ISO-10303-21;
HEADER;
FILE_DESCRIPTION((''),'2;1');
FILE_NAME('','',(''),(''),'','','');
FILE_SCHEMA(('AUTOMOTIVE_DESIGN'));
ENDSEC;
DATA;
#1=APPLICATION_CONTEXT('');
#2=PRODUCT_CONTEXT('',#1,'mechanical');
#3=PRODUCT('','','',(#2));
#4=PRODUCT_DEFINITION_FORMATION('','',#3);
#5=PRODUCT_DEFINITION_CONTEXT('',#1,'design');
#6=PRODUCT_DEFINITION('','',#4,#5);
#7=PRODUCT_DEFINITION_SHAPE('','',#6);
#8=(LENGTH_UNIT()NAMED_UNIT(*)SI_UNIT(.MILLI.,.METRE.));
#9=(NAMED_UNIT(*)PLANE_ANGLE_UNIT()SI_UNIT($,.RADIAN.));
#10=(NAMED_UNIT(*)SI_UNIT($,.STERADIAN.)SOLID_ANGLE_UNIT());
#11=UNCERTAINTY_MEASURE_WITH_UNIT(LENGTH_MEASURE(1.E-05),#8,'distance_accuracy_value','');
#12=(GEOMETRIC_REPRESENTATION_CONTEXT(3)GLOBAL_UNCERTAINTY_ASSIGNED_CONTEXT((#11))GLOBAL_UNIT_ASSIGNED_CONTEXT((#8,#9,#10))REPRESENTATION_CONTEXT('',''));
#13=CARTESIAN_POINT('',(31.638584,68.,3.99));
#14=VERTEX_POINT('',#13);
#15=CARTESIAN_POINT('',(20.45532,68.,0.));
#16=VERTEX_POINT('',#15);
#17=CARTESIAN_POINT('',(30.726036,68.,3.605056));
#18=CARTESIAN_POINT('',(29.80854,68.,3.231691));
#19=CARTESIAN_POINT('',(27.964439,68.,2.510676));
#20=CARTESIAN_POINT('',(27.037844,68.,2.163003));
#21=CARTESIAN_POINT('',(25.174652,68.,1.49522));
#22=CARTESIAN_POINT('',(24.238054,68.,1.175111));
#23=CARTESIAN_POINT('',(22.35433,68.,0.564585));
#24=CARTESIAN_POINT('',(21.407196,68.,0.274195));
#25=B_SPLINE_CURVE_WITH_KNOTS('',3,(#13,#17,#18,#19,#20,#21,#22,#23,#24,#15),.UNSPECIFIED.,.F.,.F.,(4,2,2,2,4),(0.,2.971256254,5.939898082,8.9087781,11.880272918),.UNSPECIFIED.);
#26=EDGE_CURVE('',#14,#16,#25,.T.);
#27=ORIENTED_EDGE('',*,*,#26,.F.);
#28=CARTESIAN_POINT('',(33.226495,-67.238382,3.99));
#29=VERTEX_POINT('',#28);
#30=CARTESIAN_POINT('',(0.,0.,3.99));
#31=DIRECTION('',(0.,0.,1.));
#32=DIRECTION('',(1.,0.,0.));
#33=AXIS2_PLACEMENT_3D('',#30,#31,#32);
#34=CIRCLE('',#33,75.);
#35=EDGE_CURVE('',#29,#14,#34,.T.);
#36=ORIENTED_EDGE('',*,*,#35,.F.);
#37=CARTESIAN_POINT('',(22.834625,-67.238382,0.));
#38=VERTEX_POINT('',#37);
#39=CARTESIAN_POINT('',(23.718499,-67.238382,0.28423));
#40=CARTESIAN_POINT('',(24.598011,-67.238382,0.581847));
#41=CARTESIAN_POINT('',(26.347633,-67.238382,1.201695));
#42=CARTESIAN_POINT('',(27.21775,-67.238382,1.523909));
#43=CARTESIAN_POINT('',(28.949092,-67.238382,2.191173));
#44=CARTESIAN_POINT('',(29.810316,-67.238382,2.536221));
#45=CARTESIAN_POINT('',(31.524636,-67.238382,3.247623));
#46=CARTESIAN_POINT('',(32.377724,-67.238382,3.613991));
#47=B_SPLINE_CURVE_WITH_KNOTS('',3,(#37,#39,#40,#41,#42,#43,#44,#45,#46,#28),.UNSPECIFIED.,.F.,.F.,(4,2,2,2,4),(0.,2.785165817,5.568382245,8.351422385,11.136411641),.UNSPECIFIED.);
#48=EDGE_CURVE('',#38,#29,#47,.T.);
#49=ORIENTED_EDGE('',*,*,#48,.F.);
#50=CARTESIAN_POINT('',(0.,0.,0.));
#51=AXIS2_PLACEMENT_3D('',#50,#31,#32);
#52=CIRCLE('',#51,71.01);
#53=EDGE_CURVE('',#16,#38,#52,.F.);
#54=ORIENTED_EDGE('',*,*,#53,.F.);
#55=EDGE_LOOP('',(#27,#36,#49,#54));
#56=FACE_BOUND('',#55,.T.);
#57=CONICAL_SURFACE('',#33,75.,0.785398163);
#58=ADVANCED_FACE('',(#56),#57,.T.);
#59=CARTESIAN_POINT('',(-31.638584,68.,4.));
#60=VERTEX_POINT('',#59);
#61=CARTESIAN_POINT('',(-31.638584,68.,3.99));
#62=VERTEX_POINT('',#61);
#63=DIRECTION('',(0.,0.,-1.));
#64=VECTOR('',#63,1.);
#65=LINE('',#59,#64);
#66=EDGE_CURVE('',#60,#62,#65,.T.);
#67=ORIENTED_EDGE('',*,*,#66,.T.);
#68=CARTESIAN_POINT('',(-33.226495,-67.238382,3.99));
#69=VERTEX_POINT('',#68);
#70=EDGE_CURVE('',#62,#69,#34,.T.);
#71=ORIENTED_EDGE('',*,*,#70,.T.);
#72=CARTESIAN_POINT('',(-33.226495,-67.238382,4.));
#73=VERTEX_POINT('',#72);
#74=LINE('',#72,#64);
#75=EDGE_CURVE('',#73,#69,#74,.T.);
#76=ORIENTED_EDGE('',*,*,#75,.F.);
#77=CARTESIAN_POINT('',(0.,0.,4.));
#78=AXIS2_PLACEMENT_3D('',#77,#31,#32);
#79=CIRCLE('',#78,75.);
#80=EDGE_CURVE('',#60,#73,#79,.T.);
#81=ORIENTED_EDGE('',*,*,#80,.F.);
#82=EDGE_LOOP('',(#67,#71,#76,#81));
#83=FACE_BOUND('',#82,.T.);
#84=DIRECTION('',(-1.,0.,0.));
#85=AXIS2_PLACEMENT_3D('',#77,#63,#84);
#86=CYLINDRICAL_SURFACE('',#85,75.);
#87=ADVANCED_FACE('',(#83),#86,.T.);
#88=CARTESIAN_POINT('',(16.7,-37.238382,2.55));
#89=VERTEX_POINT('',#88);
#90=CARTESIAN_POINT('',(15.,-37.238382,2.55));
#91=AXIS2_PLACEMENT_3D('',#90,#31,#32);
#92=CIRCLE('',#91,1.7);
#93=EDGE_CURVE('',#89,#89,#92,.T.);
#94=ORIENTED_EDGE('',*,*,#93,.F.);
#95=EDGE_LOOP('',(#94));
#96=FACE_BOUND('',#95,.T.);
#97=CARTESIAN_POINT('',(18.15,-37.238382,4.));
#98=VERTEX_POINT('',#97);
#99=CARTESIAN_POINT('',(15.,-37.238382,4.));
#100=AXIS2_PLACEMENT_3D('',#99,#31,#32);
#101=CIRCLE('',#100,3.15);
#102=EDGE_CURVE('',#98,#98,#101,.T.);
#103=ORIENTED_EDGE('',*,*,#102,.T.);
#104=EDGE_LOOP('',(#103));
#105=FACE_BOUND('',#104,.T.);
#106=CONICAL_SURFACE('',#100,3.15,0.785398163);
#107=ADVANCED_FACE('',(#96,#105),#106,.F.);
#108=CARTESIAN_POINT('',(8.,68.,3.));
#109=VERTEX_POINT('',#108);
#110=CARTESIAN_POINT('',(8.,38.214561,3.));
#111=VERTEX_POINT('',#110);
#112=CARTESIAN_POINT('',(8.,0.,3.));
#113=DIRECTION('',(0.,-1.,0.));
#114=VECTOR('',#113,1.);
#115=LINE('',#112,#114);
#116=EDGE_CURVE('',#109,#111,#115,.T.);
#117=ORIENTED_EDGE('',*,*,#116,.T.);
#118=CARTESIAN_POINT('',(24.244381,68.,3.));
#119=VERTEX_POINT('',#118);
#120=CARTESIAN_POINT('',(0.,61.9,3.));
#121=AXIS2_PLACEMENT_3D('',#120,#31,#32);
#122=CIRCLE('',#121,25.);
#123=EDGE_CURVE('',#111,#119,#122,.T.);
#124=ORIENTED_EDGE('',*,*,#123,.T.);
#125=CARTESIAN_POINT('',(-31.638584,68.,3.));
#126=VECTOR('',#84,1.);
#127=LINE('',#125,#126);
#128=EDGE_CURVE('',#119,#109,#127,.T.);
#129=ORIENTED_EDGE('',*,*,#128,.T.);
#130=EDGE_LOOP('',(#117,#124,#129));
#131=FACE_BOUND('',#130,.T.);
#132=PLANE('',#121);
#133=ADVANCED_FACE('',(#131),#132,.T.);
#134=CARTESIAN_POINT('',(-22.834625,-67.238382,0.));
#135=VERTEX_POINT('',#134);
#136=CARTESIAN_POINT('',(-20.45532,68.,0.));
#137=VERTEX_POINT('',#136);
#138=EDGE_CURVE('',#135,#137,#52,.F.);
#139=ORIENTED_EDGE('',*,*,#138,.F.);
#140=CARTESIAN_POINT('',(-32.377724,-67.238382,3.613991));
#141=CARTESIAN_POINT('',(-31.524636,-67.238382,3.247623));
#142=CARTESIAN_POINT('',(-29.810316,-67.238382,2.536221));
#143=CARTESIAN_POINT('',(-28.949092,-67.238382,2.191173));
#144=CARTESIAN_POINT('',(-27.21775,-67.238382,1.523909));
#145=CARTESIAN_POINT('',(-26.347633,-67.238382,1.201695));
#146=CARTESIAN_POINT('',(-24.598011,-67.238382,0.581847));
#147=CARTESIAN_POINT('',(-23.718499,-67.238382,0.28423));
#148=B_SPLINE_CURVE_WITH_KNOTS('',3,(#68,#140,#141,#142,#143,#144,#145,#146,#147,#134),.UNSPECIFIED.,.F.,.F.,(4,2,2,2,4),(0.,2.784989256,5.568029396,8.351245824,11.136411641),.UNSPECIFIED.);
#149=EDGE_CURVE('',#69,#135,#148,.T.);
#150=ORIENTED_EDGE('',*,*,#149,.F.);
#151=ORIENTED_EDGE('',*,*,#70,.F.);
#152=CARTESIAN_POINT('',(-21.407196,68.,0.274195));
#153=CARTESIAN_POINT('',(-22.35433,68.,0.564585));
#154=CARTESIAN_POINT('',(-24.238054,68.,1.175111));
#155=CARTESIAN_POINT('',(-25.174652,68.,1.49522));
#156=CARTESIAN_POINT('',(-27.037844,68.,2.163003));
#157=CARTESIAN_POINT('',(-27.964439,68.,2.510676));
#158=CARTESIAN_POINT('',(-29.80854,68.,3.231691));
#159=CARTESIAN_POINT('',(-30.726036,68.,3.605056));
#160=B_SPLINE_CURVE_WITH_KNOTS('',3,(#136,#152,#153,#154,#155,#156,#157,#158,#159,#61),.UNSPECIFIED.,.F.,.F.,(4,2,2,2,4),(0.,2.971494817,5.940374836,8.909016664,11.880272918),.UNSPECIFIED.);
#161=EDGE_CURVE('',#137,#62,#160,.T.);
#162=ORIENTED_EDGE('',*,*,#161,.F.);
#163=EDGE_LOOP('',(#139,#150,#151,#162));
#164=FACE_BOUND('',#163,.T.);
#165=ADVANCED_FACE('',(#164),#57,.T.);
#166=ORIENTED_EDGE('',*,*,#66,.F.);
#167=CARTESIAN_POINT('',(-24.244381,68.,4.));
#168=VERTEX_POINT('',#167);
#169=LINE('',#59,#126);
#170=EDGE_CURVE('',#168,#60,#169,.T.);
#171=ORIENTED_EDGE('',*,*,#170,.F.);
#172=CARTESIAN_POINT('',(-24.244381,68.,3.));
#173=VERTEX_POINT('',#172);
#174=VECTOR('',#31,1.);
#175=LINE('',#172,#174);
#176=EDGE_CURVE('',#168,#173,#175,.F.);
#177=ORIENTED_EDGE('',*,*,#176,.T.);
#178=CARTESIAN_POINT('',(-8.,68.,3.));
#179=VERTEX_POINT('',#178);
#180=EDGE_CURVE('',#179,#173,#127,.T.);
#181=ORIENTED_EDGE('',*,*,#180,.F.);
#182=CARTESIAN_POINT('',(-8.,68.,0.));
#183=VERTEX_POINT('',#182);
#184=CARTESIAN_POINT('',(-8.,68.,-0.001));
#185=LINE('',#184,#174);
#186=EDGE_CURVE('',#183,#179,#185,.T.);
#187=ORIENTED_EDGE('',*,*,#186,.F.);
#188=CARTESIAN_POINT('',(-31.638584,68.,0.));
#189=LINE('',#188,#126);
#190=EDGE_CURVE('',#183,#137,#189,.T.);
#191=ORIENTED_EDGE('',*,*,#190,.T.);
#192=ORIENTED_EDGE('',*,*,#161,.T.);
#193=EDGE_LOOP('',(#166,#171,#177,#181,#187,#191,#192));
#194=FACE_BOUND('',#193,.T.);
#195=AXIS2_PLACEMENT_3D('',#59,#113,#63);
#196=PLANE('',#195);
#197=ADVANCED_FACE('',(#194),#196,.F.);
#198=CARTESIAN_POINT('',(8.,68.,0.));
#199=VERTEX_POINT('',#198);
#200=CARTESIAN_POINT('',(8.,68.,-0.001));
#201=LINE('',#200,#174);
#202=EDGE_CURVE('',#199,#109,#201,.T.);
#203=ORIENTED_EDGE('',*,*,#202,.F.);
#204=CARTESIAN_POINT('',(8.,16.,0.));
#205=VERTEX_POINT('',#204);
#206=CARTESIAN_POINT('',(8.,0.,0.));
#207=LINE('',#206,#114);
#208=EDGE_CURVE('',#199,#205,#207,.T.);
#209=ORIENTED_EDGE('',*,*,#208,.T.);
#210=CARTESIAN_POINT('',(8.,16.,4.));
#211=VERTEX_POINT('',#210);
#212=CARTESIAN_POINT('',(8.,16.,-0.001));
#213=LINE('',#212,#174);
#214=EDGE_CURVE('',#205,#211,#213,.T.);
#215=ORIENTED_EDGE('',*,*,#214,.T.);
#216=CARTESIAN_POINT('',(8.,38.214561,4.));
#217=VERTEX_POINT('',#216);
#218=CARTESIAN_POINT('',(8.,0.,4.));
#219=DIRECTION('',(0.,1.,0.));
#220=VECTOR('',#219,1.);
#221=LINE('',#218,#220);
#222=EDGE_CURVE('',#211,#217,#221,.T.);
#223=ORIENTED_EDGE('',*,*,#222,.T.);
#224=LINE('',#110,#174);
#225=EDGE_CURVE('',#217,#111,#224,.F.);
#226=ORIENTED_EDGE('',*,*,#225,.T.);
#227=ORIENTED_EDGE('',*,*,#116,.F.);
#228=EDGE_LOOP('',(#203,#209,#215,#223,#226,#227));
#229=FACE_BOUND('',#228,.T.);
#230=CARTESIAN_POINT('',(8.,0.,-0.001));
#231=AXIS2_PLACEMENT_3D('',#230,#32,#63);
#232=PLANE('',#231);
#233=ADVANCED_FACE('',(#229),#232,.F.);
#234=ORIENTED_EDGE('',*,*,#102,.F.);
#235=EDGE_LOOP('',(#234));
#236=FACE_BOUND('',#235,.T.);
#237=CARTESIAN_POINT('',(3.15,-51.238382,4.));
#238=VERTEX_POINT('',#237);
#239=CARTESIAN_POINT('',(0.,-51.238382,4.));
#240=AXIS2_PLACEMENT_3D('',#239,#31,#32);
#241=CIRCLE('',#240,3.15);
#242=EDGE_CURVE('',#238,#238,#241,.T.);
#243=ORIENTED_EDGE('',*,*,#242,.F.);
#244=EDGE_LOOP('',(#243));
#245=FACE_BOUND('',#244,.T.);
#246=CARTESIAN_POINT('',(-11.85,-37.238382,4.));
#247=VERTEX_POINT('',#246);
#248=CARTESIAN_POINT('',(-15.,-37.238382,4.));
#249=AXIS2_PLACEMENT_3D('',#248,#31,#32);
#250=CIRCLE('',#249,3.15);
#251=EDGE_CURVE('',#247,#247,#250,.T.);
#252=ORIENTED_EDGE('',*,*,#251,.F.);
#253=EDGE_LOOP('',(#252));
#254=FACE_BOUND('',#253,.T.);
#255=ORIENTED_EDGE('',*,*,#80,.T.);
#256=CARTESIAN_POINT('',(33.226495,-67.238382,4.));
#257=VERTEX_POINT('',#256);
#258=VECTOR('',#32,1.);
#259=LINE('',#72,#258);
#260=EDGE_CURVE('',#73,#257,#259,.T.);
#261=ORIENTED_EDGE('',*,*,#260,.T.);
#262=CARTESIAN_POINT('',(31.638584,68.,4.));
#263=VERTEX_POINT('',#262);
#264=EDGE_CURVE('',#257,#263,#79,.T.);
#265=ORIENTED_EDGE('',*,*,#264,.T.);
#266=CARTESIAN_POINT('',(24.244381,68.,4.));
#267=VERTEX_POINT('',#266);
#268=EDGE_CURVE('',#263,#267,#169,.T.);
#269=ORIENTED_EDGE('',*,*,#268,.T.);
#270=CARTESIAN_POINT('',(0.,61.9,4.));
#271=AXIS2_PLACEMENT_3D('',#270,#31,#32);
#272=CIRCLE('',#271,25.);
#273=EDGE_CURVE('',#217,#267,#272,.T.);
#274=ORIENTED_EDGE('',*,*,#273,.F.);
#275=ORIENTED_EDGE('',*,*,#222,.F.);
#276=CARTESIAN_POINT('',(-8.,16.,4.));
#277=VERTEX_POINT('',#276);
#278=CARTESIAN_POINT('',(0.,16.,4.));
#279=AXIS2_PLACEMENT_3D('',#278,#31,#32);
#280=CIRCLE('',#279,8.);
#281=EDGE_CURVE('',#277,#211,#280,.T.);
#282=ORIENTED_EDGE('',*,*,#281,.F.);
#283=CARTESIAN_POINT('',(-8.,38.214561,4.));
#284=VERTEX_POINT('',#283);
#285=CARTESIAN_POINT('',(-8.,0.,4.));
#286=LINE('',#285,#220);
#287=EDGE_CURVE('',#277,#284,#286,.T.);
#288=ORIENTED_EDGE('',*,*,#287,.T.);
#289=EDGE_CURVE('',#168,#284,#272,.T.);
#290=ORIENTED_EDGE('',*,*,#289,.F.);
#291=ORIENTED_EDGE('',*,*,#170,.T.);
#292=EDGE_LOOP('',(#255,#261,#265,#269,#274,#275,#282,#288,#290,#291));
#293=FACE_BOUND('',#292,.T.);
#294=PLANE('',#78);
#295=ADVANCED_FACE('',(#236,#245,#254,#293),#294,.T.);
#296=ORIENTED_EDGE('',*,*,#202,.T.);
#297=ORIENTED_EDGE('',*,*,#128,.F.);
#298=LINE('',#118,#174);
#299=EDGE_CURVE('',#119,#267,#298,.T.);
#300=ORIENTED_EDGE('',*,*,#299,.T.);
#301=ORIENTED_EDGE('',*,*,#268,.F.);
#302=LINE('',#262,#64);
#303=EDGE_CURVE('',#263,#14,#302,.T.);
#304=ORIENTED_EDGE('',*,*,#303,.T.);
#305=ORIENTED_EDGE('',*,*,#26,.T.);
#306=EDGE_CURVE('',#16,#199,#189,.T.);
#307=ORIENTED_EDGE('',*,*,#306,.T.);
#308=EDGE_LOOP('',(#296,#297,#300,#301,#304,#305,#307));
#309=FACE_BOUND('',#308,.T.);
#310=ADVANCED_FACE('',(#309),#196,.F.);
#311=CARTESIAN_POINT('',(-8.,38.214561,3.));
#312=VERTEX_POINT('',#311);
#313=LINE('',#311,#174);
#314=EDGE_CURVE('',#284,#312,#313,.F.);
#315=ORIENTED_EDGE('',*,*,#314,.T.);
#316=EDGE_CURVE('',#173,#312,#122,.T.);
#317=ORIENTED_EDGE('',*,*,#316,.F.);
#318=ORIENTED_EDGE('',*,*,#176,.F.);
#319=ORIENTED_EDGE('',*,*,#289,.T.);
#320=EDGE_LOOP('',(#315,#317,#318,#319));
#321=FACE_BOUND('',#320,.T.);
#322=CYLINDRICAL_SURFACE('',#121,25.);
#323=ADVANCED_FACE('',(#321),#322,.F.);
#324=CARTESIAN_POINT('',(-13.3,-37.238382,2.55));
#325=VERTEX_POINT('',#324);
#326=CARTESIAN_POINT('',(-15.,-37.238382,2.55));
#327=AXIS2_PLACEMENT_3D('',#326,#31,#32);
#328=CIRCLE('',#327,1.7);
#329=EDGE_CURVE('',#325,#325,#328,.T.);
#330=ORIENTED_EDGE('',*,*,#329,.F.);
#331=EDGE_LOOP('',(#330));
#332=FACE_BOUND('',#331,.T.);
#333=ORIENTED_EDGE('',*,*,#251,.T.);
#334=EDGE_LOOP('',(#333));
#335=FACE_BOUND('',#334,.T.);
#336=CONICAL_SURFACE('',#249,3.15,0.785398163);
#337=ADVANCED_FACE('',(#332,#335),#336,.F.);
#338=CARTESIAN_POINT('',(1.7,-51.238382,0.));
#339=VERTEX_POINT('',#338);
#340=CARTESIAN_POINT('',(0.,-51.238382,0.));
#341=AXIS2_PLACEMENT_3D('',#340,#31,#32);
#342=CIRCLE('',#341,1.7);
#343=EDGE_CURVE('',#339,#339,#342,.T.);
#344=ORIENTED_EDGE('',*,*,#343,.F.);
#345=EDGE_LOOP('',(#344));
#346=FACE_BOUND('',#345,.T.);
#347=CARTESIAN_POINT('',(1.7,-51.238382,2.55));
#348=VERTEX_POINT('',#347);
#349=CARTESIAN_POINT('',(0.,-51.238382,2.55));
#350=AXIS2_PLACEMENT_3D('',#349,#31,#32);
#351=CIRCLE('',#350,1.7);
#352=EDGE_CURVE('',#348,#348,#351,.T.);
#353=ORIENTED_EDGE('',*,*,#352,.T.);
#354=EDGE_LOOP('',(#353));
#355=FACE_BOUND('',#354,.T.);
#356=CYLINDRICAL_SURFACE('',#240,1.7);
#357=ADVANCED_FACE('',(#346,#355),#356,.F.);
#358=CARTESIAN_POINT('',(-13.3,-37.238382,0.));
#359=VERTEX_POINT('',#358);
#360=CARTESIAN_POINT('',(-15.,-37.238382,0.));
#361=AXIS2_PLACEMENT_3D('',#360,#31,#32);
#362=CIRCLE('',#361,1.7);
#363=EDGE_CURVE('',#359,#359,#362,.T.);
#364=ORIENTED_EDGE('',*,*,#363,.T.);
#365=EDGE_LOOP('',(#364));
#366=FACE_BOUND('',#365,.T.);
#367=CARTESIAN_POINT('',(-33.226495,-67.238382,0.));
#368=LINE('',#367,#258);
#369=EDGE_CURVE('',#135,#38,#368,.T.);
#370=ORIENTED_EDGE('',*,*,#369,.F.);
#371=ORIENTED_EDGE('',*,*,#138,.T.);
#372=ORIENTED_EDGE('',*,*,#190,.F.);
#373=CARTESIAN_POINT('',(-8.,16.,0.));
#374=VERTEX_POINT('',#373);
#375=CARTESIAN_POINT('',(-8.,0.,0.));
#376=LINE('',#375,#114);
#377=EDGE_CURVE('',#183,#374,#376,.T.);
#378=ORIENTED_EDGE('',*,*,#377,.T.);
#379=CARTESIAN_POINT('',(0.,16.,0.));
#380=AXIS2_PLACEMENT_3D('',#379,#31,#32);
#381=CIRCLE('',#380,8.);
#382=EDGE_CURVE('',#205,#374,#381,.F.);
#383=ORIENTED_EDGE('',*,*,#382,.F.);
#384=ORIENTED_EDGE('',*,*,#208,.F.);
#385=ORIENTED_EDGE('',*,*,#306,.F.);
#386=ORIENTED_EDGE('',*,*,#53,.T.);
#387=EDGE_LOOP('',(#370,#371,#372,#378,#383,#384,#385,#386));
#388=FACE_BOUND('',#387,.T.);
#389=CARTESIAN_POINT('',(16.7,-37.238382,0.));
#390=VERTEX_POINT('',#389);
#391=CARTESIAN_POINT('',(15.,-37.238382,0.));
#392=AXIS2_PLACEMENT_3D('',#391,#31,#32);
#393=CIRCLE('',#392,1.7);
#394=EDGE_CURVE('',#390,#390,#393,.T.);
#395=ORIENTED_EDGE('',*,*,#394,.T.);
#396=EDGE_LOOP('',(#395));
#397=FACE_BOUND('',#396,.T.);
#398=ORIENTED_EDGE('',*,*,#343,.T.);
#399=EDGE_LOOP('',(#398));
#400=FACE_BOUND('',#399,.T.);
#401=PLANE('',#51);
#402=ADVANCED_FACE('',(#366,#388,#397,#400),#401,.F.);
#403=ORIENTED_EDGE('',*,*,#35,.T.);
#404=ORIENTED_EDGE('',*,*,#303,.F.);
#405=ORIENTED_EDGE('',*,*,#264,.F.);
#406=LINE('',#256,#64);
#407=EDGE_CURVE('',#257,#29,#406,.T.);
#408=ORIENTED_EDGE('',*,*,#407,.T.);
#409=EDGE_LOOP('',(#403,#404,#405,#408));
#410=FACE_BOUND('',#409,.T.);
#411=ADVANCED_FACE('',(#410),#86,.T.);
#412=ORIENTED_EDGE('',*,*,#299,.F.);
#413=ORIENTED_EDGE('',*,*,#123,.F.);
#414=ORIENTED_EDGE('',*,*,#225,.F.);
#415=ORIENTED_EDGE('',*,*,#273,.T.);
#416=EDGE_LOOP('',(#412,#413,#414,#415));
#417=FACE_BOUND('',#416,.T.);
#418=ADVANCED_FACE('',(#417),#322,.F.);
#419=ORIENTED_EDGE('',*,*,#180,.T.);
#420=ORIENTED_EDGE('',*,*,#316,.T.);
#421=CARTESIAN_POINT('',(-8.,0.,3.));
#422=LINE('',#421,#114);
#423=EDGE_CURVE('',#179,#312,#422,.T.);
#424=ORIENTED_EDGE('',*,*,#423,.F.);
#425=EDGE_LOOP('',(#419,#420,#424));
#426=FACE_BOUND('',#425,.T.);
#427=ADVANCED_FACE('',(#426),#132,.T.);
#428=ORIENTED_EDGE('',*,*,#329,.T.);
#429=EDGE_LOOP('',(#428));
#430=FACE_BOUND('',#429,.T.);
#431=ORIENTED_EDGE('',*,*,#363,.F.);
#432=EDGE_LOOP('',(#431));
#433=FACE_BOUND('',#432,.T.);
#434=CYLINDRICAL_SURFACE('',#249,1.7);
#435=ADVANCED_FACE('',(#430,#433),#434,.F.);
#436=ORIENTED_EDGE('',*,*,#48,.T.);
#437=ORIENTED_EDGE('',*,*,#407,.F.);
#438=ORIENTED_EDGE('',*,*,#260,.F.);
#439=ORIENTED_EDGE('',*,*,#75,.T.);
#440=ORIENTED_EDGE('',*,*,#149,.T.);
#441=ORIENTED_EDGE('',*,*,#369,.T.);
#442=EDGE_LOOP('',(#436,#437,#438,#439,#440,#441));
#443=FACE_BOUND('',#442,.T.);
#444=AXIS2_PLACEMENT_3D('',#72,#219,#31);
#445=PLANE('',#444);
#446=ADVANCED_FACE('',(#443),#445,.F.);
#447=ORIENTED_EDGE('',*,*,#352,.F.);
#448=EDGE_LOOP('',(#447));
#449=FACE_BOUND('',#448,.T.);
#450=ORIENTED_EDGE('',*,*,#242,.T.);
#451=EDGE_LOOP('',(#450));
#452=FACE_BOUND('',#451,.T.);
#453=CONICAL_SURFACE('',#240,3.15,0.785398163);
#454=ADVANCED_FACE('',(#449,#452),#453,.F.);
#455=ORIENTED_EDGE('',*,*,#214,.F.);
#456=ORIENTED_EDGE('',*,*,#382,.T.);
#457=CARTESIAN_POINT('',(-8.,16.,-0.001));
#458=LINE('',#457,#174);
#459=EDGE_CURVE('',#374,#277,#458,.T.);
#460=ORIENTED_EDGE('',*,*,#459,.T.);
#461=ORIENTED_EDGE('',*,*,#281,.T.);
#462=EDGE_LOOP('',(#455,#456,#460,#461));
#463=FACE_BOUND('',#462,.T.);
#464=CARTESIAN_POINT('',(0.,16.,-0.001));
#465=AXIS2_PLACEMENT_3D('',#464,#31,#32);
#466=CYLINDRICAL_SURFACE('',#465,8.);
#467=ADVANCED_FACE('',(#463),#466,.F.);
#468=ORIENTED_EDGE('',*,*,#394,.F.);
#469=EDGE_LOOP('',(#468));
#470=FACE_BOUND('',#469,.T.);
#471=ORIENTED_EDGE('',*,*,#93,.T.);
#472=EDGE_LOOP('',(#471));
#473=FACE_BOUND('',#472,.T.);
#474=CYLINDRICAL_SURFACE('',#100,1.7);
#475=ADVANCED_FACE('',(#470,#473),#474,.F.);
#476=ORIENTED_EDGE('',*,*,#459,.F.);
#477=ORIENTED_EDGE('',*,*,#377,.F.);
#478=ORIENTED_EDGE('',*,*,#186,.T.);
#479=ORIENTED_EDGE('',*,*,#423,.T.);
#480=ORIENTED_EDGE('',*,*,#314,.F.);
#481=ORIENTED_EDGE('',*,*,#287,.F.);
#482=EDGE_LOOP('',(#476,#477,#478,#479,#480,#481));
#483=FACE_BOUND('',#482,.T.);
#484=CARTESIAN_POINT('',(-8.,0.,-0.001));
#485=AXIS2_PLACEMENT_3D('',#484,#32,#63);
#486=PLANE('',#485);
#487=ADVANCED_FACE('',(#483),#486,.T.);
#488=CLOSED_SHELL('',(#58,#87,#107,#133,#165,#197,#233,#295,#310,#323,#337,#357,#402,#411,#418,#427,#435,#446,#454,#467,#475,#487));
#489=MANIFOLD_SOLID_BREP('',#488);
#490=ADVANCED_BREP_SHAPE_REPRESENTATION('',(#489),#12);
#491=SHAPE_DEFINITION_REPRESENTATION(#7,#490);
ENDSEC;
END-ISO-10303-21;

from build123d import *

# Parameters (mm, degrees)
BOSS_EXTRUDE2_DEPTH                                 = 4
CSK_FOR_M3_COUNTERSUNK_FLAT_HEAD_SCREW1_D           = 3.4
CSK_FOR_M3_COUNTERSUNK_FLAT_HEAD_SCREW1_CSINK_D     = 6.3
CSK_FOR_M3_COUNTERSUNK_FLAT_HEAD_SCREW1_CSINK_ANGLE = 90
CUT_EXTRUDE1_REACH                                  = 103.316
SKETCH5_R                                           = 25
CUT_EXTRUDE2_DEPTH                                  = 1
CHAMFER3_SIZE                                       = 3.99


with BuildPart() as part:
    # Sketch1 → Boss-Extrude2 (new body)
    with BuildSketch(Plane.XY):
        with BuildLine():
            Line((-33.226495452, -67.238381896), (33.226495452, -67.238381896))
            ThreePointArc((33.226495452, -67.238381896), (74.994830614, 0.880557322), (31.638584039, 68))
            Line((31.638584039, 68), (-31.638584039, 68))
            ThreePointArc((-31.638584039, 68), (-74.994830614, 0.880557322), (-33.226495452, -67.238381896))
        make_face()
    extrude(amount=BOSS_EXTRUDE2_DEPTH)

    # CSK for M3 Countersunk Flat Head Screw1 (through all)
    with Locations(Plane.XY.offset(4)):
        with Locations((-15, -37.238381896), (0, -51.238381896), (15, -37.238381896)):
            CounterSinkHole(CSK_FOR_M3_COUNTERSUNK_FLAT_HEAD_SCREW1_D / 2, CSK_FOR_M3_COUNTERSUNK_FLAT_HEAD_SCREW1_CSINK_D / 2, counter_sink_angle=CSK_FOR_M3_COUNTERSUNK_FLAT_HEAD_SCREW1_CSINK_ANGLE)

    # Sketch4 → Cut-Extrude1 (cut, up to next)
    with BuildSketch(Plane.XY.offset(4), mode=Mode.PRIVATE) as cut_extrude1_sk1:
        with BuildLine():
            Line((-8, 16), (-8, 68))
            Line((-8, 68), (8, 68))
            Line((8, 68), (8, 16))
            ThreePointArc((8, 16), (0, 8), (-8, 16))
        make_face()
    cut_extrude1_tool1 = extrude(cut_extrude1_sk1.sketch, amount=-CUT_EXTRUDE1_REACH, mode=Mode.PRIVATE) & part.part
    add(cut_extrude1_tool1.solids().sort_by_distance((0, 38.831056, 4))[0], mode=Mode.SUBTRACT)

    # Sketch5 → Cut-Extrude2 (cut)
    with BuildSketch(Plane.XY.offset(4)):
        with Locations((0, 61.9)):
            Circle(SKETCH5_R)
    extrude(amount=-CUT_EXTRUDE2_DEPTH, mode=Mode.SUBTRACT)

    # Chamfer3
    chamfer3_edges = [part.edges().sort_by_distance(p)[0] for p in [
        (74.994830614, 0.880557322, 0),
        (-74.994830614, 0.880557322, 0),
    ]]
    chamfer(chamfer3_edges, length=CHAMFER3_SIZE)


solid = part.part
